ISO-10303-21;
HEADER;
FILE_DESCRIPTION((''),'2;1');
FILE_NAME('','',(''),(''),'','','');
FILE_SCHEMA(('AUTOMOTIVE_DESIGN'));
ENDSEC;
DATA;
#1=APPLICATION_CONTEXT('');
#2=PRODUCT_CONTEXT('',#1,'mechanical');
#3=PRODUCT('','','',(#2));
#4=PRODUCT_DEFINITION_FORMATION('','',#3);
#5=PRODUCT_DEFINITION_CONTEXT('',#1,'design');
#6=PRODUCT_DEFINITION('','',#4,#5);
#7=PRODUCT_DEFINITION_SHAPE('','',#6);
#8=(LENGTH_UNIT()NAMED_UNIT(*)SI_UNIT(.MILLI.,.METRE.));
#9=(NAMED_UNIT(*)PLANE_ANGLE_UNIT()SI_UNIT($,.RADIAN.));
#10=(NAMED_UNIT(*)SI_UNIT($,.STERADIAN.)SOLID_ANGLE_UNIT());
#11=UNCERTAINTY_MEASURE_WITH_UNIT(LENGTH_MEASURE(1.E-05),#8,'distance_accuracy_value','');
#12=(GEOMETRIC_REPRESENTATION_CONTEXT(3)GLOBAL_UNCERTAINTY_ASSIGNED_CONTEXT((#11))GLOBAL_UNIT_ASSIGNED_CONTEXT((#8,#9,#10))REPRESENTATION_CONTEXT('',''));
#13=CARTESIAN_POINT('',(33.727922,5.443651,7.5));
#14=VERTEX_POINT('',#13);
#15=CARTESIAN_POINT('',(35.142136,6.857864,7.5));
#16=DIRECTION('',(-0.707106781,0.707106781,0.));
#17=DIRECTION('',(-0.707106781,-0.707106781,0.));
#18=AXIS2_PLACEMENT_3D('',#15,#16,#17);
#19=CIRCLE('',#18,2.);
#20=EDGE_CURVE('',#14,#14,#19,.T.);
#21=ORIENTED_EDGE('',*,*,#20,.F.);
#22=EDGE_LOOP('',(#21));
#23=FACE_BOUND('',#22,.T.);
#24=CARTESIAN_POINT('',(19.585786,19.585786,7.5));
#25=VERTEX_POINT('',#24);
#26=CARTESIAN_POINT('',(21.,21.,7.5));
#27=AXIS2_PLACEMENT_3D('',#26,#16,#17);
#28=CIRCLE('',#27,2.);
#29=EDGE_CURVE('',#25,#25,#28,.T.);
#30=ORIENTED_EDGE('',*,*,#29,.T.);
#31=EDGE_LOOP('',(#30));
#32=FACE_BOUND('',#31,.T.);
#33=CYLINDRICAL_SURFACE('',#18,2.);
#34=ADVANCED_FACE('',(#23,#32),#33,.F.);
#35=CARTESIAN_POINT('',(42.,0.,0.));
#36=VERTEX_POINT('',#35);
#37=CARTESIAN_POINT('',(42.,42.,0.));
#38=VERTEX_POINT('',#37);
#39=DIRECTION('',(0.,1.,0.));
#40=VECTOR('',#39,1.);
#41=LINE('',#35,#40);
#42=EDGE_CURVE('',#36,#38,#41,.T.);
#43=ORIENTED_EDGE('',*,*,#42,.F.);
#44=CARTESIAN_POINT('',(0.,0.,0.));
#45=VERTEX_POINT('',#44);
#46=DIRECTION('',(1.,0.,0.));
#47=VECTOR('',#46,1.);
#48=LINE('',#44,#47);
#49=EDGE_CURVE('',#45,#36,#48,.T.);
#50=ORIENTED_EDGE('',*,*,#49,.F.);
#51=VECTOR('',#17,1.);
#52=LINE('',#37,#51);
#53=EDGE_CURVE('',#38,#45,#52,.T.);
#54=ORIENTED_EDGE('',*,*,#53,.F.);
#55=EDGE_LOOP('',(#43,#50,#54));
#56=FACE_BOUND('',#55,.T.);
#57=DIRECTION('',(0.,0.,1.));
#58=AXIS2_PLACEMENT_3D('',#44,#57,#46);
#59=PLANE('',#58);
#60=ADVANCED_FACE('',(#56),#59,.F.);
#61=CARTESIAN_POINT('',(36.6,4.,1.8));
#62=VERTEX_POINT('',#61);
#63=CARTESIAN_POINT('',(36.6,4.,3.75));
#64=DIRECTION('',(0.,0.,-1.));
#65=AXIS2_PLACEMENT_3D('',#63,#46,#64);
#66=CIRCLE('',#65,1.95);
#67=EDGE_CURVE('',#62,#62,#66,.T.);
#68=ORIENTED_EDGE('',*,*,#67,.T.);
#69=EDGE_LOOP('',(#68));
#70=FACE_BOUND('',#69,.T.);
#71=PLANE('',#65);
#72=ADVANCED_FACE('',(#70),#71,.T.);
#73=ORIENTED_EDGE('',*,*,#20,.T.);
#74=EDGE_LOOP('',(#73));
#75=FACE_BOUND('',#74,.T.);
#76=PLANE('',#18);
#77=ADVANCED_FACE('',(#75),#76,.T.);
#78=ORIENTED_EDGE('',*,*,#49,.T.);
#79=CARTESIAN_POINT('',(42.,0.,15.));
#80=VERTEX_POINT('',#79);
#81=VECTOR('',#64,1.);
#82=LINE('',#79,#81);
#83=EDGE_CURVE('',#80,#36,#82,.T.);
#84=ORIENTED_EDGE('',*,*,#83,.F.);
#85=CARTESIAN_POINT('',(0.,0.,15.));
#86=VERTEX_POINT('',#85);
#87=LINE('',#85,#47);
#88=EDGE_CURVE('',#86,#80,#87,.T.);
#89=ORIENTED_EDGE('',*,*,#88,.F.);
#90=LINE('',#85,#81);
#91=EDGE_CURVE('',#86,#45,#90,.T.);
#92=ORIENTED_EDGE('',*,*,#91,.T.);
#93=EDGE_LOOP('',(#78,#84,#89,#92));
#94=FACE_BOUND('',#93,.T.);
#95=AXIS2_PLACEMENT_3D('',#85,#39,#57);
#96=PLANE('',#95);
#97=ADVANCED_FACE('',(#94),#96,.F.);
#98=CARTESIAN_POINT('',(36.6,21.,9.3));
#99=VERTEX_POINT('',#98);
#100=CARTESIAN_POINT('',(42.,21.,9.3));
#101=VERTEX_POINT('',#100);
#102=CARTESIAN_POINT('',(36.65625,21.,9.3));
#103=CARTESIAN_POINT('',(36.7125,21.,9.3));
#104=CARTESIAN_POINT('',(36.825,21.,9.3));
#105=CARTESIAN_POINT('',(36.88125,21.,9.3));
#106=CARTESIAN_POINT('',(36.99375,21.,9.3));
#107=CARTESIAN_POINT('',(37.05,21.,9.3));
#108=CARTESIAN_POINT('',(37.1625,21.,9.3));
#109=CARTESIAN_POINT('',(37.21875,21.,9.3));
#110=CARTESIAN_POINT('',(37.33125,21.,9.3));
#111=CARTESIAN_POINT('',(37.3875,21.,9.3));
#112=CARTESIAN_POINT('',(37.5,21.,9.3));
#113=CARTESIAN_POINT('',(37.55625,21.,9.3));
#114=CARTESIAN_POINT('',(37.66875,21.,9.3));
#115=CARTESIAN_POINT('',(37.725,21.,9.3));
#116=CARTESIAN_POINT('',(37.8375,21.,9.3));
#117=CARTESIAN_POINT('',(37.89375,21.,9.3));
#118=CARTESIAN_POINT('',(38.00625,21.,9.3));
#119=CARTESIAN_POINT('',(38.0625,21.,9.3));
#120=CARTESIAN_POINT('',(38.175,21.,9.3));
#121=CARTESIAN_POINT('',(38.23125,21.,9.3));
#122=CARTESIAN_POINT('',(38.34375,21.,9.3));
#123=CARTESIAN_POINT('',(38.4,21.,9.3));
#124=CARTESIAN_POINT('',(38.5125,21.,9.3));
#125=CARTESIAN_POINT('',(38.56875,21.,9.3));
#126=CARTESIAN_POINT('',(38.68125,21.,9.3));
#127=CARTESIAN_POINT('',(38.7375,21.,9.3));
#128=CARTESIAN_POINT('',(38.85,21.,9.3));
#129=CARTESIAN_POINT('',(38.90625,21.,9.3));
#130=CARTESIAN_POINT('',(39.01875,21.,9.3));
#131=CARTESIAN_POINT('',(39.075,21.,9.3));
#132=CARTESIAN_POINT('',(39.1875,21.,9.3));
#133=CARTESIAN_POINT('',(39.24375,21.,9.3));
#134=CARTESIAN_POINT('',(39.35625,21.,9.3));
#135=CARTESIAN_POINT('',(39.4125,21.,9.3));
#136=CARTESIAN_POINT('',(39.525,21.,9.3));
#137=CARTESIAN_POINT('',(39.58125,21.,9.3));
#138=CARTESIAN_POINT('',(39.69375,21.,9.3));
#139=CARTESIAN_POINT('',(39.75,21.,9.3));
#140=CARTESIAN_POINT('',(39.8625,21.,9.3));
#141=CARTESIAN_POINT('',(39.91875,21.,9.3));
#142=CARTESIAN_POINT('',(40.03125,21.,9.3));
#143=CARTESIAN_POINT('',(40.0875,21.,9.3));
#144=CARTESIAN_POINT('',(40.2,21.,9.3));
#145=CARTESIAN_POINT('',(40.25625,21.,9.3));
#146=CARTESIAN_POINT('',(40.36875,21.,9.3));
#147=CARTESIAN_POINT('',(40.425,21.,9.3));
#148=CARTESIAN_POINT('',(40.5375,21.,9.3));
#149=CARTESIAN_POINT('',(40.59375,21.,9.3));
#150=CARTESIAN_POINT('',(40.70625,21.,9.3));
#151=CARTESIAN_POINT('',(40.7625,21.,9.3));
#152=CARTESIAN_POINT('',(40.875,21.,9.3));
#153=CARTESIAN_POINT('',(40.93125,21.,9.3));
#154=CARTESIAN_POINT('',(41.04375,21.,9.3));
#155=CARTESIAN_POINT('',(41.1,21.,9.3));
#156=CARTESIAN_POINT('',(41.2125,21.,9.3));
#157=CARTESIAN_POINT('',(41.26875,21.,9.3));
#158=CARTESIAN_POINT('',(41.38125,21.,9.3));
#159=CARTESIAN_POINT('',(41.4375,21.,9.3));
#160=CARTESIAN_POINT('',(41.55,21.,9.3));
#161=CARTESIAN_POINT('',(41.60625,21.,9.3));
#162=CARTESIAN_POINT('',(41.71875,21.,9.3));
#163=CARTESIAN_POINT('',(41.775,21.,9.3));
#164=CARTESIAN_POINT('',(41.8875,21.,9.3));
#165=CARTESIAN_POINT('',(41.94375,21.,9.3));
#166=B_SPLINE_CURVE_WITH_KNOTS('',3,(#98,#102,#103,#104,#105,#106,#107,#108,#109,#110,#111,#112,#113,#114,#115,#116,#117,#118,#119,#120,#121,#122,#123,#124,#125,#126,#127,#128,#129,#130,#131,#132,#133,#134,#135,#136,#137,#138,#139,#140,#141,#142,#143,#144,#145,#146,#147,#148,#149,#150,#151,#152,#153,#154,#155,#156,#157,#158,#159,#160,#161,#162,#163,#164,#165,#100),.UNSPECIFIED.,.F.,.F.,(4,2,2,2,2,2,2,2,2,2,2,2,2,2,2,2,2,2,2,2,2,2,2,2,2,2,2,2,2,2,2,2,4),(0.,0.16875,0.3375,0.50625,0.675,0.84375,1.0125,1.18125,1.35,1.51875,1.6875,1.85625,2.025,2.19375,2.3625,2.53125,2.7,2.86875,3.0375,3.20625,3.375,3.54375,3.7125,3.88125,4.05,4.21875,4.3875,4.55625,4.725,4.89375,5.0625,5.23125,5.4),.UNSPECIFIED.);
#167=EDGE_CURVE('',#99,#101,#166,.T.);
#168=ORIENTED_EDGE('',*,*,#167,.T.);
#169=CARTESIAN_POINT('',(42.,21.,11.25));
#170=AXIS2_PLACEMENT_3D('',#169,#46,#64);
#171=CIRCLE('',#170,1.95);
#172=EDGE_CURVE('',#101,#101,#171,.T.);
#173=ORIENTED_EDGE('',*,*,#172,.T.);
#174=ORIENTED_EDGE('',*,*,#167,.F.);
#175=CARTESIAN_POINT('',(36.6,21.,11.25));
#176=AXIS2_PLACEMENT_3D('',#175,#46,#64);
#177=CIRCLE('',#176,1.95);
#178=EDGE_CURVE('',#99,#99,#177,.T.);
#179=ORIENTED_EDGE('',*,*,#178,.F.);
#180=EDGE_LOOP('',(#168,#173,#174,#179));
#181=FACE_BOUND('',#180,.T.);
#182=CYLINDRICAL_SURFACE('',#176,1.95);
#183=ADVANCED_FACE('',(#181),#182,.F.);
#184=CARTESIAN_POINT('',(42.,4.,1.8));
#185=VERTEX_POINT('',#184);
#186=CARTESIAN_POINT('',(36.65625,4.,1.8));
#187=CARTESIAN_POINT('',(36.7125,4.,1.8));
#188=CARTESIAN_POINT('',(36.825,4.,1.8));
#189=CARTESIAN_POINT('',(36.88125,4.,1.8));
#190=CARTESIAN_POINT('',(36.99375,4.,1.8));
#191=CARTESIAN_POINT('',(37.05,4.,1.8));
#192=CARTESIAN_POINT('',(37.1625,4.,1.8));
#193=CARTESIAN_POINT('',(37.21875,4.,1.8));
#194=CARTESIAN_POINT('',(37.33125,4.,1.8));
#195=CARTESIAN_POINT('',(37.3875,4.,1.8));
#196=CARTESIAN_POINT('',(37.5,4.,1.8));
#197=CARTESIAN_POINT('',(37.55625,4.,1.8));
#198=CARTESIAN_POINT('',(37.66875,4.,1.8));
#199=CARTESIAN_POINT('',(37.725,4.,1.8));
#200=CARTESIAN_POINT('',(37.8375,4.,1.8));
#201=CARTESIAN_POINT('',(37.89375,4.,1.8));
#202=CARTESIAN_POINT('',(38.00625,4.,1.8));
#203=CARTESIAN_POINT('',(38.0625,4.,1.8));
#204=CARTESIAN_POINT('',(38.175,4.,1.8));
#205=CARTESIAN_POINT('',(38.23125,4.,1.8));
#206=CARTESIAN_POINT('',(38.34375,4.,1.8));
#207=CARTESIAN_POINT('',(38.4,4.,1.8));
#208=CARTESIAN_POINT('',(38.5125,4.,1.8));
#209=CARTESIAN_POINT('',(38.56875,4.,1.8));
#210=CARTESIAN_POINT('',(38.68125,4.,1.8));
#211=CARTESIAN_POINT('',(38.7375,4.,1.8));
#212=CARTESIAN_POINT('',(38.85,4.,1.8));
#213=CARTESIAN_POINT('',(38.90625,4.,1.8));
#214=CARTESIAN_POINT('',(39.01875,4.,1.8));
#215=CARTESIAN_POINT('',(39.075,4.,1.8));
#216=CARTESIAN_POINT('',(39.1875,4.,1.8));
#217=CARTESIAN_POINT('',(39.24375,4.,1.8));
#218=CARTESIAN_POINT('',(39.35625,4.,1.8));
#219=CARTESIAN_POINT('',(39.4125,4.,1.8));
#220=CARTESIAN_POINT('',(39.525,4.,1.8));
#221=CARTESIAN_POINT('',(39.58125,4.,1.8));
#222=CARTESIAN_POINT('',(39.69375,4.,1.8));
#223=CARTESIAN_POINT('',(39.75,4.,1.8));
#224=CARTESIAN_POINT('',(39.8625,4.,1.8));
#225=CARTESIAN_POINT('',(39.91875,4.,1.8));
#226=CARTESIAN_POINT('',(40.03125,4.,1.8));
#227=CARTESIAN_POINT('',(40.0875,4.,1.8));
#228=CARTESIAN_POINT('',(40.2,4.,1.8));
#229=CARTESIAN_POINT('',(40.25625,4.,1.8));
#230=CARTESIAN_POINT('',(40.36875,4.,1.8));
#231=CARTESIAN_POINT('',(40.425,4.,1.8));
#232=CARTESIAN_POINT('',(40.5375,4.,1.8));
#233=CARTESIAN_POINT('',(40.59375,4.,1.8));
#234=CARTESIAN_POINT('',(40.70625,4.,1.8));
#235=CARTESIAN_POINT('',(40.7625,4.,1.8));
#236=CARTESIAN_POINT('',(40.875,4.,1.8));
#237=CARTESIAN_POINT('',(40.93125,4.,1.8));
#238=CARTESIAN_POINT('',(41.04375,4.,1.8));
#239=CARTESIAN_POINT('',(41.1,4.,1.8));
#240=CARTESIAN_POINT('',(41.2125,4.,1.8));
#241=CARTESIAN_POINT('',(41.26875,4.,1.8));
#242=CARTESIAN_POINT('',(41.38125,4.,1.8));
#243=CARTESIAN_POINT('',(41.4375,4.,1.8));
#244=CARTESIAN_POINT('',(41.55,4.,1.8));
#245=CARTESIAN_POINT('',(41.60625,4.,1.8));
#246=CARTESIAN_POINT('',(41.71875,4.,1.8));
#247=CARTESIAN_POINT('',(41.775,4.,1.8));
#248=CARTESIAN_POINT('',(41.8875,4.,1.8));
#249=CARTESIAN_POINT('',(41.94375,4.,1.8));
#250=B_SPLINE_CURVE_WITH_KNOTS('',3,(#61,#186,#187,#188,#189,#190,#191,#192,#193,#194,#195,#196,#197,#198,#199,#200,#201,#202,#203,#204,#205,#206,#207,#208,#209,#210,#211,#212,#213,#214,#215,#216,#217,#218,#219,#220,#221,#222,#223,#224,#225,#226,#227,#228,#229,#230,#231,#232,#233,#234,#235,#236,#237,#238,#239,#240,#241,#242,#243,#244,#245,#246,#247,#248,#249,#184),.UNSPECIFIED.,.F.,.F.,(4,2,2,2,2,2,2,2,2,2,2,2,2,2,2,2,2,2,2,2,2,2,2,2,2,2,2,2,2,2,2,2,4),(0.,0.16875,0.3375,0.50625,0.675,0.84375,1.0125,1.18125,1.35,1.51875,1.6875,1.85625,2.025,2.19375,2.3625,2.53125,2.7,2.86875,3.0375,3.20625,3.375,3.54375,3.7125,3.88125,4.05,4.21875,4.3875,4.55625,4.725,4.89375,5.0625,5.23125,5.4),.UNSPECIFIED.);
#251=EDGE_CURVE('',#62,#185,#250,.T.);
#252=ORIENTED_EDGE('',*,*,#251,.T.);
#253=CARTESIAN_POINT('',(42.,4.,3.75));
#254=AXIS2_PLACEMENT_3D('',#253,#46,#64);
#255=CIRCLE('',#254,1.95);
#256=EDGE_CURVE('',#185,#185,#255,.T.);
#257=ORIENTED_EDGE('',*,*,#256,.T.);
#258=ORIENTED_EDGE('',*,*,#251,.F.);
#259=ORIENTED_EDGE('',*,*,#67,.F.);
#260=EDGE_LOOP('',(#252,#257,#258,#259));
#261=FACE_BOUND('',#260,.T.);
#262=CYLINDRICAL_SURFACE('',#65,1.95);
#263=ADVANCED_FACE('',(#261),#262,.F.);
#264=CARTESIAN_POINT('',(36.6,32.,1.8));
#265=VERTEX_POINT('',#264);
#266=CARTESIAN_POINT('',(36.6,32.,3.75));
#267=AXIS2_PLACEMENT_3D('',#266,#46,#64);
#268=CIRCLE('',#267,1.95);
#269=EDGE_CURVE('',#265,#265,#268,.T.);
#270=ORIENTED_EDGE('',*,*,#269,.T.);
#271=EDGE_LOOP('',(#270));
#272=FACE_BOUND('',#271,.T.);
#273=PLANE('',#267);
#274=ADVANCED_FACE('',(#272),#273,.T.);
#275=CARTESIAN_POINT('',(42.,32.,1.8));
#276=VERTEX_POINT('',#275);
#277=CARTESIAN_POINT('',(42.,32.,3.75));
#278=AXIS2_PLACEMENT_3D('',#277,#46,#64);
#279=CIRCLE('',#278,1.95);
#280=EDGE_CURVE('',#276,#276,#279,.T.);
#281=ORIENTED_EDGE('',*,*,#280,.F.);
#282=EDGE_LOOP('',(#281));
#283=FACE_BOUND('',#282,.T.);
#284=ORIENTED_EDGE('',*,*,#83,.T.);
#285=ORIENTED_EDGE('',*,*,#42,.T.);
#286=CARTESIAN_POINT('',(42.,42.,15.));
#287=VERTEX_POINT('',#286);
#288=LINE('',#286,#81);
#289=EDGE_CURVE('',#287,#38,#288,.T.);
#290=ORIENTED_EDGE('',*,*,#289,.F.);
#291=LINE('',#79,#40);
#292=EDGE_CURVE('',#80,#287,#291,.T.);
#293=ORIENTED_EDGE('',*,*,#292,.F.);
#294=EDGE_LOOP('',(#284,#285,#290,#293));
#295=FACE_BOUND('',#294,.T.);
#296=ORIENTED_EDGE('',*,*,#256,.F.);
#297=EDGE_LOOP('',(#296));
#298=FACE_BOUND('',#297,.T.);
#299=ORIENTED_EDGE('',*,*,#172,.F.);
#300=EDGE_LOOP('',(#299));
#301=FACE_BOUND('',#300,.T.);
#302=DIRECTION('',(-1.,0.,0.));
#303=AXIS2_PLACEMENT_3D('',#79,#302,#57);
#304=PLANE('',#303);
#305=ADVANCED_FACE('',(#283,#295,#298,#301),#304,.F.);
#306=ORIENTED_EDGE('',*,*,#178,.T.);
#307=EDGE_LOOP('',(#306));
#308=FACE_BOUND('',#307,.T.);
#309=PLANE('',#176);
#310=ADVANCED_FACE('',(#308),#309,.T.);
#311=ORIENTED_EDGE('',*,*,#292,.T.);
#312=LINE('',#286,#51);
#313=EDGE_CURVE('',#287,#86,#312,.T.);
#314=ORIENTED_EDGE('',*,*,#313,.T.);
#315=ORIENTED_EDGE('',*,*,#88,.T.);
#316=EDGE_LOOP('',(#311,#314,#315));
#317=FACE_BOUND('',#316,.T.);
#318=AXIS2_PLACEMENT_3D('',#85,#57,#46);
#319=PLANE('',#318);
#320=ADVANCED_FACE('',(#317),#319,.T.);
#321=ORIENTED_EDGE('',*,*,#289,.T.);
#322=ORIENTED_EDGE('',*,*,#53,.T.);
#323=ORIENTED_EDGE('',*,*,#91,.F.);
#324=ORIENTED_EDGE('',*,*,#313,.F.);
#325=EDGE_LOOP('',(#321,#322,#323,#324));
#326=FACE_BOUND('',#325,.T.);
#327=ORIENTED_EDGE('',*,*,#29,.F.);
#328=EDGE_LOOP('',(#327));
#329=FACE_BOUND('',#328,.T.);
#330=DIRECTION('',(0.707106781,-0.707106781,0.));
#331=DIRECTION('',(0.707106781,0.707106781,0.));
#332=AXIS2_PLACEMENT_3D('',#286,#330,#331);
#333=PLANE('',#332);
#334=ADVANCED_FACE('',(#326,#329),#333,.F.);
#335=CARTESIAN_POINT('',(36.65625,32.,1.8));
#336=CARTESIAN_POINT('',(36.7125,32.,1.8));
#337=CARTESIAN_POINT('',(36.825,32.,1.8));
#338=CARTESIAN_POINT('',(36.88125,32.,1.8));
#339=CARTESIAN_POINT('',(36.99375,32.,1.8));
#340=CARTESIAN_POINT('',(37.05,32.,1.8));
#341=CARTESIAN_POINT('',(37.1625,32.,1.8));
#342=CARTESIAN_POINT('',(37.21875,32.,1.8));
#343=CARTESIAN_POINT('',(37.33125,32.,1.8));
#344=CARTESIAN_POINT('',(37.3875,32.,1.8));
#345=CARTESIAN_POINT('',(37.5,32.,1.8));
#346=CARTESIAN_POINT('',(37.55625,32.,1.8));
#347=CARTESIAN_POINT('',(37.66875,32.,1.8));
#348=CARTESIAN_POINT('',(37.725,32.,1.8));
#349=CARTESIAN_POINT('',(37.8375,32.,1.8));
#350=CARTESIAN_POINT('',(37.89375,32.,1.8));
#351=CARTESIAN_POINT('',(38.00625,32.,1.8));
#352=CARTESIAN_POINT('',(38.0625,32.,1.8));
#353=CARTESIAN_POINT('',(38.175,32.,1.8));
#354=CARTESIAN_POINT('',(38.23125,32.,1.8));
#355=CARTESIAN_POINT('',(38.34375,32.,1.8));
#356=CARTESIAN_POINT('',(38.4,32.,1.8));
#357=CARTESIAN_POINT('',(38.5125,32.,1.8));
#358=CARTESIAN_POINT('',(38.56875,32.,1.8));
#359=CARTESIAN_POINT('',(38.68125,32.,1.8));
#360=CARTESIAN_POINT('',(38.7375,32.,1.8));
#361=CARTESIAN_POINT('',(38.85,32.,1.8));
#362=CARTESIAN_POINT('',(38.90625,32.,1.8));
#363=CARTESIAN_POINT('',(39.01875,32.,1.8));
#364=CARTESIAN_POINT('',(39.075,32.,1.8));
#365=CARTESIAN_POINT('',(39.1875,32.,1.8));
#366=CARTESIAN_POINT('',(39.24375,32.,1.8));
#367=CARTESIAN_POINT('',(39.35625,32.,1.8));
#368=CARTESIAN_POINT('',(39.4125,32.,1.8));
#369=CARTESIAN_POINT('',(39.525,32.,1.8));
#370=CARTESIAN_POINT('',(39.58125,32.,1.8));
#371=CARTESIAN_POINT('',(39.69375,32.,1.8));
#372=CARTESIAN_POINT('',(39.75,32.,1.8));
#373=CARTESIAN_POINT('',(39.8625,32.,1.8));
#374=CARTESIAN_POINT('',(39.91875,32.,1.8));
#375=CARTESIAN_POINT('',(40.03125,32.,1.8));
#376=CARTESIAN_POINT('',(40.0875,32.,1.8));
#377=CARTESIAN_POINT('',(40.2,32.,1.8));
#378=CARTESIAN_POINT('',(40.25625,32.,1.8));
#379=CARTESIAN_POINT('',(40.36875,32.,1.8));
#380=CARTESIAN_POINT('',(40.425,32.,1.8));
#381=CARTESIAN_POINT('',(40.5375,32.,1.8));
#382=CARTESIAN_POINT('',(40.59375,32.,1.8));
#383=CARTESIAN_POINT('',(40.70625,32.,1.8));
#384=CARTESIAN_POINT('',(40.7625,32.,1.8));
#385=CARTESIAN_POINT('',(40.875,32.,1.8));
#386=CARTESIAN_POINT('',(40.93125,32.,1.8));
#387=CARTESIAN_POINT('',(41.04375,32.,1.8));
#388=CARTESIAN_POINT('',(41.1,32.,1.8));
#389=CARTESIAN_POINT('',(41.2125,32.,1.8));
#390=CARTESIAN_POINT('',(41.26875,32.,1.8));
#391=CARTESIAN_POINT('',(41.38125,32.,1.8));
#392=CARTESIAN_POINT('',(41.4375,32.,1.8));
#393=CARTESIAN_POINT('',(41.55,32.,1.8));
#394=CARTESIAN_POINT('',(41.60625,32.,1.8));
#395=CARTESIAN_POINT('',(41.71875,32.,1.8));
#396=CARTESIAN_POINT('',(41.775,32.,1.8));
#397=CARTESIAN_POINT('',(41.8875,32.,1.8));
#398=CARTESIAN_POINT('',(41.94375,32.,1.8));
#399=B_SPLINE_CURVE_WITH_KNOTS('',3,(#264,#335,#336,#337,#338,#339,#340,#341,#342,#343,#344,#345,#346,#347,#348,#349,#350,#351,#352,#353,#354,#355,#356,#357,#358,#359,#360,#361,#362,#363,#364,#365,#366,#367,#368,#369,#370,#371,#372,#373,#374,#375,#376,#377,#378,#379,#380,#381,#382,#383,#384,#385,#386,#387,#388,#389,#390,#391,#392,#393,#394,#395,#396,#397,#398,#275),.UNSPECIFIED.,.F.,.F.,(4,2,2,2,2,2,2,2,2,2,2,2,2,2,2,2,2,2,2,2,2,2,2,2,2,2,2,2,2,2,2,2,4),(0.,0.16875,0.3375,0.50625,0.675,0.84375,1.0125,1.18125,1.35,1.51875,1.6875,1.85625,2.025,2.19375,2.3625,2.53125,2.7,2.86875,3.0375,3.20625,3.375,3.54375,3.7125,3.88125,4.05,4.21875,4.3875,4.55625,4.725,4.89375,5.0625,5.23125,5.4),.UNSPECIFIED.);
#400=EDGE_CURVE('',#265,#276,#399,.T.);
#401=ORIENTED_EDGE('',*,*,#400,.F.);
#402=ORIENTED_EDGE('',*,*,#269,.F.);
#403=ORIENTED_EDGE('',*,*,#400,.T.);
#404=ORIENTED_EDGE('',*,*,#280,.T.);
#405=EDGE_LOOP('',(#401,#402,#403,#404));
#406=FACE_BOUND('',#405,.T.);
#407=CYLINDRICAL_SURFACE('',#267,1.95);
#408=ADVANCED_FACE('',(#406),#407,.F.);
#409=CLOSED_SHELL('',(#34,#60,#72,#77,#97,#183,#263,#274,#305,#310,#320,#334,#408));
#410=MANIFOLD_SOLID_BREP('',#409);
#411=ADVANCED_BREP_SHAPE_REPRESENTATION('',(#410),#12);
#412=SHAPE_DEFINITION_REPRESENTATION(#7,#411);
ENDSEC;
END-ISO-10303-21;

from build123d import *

# Parameters (mm, degrees)
BOSS_EXTRUDE1_DEPTH = 15
SKETCH3_R           = 2
CUT_EXTRUDE1_DEPTH  = 20
SKETCH4_R           = 1.95
CUT_EXTRUDE2_DEPTH  = 5.4


with BuildPart() as part:
    # Sketch1 → Boss-Extrude1 (new body)
    with BuildSketch(Plane.XY):
        Polygon((0, 0), (42, 0), (42, 42), align=None)
    extrude(amount=BOSS_EXTRUDE1_DEPTH)

    # Sketch3 → Cut-Extrude1 (cut)
    with BuildSketch(Plane(origin=(0, 0, 0), x_dir=(0, 0, 1), z_dir=(-0.7071067811865477, 0.7071067811865475, 0))):
        with Locations(Location((7.5, 29.69848481, 0), (0, 0, 270))):
            Circle(SKETCH3_R)
    extrude(amount=-CUT_EXTRUDE1_DEPTH, mode=Mode.SUBTRACT)

    # Sketch4 → Cut-Extrude2 (cut)
    with BuildSketch(Plane(origin=(42, 0, 0), x_dir=(0, 0, -1), z_dir=(1, 0, 0))):
        with Locations((-11.25, 21)):
            Circle(SKETCH4_R)
        with Locations((-3.75, 4)):
            Circle(SKETCH4_R)
        with Locations((-3.75, 32)):
            Circle(SKETCH4_R)
    extrude(amount=-CUT_EXTRUDE2_DEPTH, mode=Mode.SUBTRACT)


solid = part.part
